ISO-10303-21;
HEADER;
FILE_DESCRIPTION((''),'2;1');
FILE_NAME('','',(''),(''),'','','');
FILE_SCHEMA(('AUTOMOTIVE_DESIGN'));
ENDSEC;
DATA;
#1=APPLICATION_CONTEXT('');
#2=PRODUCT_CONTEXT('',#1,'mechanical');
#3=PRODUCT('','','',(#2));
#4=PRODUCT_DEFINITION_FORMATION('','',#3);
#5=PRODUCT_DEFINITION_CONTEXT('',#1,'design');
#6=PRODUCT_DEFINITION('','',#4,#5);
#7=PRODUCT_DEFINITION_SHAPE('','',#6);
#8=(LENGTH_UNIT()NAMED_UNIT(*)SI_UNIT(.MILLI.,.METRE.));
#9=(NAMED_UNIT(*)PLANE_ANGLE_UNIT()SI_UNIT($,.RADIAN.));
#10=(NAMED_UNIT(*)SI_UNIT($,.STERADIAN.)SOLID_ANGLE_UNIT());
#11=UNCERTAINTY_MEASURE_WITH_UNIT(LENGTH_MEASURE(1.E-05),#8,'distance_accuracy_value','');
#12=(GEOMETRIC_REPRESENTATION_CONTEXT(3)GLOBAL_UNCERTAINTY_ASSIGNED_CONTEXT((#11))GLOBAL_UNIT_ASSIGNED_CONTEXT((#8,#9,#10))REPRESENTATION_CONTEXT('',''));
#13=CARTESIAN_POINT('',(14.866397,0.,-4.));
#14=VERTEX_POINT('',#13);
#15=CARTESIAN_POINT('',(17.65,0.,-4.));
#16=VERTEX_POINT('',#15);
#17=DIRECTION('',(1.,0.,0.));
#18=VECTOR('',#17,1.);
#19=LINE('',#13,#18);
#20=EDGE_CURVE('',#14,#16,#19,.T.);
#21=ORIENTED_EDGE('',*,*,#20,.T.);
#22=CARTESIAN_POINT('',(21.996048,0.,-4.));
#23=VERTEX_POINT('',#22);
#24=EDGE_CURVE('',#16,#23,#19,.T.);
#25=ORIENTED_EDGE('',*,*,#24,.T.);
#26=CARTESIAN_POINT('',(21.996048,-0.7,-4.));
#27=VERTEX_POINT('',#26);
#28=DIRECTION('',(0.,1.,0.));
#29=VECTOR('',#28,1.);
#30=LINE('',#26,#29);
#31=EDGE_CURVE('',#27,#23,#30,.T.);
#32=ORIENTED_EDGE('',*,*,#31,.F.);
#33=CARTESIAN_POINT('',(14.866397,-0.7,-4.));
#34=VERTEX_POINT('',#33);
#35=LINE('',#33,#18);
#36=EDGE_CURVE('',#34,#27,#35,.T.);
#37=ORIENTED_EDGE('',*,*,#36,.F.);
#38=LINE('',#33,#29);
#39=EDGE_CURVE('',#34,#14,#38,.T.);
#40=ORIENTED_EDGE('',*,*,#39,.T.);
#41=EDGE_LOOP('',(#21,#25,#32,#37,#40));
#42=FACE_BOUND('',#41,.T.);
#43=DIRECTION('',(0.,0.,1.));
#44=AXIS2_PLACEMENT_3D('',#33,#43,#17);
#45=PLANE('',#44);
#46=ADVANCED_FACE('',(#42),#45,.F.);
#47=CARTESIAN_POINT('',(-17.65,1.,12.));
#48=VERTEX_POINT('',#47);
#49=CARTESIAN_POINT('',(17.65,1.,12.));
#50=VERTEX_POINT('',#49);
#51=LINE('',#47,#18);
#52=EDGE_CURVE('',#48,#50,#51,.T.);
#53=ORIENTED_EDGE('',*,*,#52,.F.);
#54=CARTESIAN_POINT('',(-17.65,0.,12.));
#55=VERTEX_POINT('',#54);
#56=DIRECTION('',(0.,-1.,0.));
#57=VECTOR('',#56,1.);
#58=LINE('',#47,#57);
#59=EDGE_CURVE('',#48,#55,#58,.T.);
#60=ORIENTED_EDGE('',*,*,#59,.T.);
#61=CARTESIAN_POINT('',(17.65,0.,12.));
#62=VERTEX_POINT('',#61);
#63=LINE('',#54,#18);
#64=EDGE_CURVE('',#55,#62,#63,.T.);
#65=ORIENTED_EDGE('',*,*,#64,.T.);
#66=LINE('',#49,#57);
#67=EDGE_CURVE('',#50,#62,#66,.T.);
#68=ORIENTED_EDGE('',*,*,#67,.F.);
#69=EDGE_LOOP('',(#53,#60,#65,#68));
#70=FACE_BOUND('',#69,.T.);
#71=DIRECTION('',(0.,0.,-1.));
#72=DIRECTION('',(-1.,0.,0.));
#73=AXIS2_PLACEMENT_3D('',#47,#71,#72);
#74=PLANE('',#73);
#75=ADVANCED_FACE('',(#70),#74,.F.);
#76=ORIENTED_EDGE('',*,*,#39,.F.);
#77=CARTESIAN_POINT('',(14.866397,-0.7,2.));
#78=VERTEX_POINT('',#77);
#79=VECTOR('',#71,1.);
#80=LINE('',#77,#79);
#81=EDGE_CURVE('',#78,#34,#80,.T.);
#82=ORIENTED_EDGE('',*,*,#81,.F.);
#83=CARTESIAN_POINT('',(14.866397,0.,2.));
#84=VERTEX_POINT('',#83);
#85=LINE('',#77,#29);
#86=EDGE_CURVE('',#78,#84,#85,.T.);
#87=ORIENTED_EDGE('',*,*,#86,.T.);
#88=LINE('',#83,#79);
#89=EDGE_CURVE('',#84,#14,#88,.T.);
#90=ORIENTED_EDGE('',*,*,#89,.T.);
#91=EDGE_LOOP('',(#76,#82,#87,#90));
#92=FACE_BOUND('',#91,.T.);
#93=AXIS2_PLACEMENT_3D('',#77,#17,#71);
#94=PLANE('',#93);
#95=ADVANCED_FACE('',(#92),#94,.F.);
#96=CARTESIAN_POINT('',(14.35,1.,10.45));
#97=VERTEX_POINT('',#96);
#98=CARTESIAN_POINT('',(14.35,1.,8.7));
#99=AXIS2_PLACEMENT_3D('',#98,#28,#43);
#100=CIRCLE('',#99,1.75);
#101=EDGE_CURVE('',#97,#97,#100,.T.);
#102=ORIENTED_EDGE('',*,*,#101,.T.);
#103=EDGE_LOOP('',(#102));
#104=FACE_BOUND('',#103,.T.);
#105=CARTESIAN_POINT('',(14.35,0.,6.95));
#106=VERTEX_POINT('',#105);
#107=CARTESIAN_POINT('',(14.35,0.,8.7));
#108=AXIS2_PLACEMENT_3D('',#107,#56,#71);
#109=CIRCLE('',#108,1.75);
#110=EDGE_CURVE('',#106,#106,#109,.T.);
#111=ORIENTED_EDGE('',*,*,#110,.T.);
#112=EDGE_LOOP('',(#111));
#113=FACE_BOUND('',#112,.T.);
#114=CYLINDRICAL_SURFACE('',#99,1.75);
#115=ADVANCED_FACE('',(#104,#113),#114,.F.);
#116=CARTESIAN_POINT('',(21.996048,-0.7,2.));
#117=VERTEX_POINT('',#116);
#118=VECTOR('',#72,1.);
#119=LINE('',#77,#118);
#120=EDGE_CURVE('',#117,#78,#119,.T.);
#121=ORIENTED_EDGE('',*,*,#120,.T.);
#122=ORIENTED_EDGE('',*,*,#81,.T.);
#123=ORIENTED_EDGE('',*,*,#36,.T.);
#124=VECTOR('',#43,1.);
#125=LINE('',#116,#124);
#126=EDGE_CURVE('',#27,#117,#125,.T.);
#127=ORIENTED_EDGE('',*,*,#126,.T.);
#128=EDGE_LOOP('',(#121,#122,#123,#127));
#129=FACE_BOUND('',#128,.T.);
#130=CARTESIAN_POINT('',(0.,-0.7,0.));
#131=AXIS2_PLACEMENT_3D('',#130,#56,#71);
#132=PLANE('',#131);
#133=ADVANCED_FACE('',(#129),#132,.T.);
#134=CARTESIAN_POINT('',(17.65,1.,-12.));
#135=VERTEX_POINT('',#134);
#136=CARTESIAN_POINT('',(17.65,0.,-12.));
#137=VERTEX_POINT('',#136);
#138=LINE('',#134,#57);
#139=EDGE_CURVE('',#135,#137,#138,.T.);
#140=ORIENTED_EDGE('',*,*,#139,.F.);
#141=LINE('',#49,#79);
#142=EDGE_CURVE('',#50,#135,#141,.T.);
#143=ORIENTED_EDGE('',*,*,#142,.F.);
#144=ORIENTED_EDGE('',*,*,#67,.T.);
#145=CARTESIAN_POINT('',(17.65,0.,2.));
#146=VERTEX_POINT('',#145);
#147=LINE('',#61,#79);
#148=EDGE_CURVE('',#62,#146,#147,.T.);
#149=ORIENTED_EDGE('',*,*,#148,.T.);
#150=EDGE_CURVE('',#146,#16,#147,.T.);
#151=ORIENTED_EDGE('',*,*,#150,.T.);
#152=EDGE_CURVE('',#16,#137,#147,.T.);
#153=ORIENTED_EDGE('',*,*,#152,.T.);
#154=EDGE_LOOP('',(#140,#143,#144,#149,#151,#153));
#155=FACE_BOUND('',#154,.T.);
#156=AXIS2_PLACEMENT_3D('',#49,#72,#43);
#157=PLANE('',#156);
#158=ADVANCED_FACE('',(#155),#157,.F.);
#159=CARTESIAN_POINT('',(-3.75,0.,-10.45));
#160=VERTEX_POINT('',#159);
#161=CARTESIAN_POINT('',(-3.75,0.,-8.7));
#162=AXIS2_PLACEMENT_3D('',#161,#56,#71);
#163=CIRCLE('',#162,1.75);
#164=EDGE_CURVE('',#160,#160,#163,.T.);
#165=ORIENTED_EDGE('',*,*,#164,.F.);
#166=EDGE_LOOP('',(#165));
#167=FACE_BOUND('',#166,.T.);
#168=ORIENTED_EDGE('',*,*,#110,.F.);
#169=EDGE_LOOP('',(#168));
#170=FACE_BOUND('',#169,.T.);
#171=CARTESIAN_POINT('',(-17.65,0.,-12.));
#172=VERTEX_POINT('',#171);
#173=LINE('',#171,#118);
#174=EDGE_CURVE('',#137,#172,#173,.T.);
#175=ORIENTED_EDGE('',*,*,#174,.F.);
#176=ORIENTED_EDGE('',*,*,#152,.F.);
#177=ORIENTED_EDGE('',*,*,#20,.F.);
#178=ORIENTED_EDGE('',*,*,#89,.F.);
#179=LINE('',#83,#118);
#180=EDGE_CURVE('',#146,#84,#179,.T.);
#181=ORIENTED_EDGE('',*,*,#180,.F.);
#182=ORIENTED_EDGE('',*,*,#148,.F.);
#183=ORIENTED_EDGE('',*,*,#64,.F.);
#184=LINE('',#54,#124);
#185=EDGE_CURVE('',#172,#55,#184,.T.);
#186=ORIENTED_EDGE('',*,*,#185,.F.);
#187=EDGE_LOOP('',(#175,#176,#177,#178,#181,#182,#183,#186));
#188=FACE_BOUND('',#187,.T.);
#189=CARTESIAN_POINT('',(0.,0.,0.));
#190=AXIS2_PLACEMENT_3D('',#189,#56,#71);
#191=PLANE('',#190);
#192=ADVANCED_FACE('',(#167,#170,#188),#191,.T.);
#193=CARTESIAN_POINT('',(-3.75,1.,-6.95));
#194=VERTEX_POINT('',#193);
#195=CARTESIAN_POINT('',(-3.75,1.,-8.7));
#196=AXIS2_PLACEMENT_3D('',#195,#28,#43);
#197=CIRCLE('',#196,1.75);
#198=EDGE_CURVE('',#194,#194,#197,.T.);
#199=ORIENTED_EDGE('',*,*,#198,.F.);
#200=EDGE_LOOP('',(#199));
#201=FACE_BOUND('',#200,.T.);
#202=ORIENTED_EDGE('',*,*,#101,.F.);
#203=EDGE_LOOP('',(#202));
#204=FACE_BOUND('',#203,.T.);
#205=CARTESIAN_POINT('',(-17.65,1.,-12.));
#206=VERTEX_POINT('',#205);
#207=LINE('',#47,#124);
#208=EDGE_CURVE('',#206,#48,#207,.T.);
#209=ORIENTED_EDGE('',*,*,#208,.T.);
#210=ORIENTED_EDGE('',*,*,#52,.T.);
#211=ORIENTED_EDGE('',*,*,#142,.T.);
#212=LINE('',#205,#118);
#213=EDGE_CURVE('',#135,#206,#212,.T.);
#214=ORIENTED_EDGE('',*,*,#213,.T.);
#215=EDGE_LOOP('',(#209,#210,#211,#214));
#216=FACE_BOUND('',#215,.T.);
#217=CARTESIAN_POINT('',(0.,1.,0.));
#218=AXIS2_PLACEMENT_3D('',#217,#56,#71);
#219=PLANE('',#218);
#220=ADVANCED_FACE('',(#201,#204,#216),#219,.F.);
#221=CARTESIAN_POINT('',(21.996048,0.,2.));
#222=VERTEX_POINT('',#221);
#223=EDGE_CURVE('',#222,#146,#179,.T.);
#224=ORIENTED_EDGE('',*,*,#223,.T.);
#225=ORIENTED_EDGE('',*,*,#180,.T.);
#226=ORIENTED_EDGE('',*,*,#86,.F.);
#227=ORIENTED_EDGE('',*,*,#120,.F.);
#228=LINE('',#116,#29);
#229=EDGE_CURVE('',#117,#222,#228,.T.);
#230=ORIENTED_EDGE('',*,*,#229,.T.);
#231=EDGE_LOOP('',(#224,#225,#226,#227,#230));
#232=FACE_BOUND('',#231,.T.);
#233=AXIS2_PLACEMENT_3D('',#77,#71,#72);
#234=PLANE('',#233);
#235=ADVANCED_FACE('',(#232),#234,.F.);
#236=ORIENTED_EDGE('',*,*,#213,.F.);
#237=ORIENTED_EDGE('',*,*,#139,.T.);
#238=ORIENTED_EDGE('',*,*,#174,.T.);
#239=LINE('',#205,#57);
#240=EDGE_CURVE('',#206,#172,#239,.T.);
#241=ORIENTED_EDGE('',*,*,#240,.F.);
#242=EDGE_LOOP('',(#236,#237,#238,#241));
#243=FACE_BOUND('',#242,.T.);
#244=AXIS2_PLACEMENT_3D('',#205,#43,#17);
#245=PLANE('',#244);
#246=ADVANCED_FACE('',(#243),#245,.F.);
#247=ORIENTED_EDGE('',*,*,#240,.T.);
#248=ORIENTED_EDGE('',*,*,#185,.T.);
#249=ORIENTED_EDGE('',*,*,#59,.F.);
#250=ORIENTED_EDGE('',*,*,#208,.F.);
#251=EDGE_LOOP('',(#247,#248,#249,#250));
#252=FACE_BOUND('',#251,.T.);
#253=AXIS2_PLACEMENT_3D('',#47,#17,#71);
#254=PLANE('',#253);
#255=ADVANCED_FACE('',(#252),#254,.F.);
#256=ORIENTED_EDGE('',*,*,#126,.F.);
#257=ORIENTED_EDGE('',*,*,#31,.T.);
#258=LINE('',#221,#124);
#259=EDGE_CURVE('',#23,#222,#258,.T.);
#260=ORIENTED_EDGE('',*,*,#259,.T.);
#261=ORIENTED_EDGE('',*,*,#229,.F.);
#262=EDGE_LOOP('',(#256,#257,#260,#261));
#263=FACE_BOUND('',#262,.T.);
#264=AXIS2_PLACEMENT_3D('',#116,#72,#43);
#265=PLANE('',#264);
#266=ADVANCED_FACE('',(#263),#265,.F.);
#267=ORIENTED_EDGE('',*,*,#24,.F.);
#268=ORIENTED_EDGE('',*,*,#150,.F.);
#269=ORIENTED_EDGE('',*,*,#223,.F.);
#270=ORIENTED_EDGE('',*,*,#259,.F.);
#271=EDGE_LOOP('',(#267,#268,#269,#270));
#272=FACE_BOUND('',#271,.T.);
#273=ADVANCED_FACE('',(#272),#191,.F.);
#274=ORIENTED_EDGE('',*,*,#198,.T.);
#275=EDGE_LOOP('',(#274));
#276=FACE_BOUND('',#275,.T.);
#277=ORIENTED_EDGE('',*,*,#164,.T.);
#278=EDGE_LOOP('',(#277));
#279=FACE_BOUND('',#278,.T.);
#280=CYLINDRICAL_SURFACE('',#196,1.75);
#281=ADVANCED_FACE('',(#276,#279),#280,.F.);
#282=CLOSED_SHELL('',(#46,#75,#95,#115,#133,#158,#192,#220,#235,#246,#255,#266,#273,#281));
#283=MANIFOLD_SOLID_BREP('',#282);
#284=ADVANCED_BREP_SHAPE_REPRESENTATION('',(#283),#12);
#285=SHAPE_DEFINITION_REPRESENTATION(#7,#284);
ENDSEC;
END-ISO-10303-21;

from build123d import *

# Parameters (mm, degrees)
SKETCH1_W                  = 35.3
SKETCH1_H                  = 24
BOSS_EXTRUDE1_DEPTH        = 1
F_3_5_3_5_DIAMETER_HOLE1_D = 3.5
SKETCH5_W                  = 7.129651431
SKETCH5_H                  = 6
BOSS_EXTRUDE2_DEPTH        = 0.7


with BuildPart() as part:
    # Sketch1 → Boss-Extrude1 (new body)
    with BuildSketch(Plane(origin=(0, 0, 0), x_dir=(1, 0, 0), z_dir=(0, 1, 0))):
        Rectangle(SKETCH1_W, SKETCH1_H)
    extrude(amount=BOSS_EXTRUDE1_DEPTH)

    # Ø3.5 (3.5) Diameter Hole1 (through all)
    with Locations(Plane(origin=(0, 1, 0), x_dir=(1, 0, 0), z_dir=(0, 1, 0))):
        with Locations((-3.75, 8.7), (14.35, -8.7)):
            Hole(F_3_5_3_5_DIAMETER_HOLE1_D / 2)

    # Sketch5 → Boss-Extrude2 (add)
    with BuildSketch(Plane.XZ):
        with Locations((18.431222248, -1)):
            Rectangle(SKETCH5_W, SKETCH5_H)
    extrude(amount=BOSS_EXTRUDE2_DEPTH)


solid = part.part
